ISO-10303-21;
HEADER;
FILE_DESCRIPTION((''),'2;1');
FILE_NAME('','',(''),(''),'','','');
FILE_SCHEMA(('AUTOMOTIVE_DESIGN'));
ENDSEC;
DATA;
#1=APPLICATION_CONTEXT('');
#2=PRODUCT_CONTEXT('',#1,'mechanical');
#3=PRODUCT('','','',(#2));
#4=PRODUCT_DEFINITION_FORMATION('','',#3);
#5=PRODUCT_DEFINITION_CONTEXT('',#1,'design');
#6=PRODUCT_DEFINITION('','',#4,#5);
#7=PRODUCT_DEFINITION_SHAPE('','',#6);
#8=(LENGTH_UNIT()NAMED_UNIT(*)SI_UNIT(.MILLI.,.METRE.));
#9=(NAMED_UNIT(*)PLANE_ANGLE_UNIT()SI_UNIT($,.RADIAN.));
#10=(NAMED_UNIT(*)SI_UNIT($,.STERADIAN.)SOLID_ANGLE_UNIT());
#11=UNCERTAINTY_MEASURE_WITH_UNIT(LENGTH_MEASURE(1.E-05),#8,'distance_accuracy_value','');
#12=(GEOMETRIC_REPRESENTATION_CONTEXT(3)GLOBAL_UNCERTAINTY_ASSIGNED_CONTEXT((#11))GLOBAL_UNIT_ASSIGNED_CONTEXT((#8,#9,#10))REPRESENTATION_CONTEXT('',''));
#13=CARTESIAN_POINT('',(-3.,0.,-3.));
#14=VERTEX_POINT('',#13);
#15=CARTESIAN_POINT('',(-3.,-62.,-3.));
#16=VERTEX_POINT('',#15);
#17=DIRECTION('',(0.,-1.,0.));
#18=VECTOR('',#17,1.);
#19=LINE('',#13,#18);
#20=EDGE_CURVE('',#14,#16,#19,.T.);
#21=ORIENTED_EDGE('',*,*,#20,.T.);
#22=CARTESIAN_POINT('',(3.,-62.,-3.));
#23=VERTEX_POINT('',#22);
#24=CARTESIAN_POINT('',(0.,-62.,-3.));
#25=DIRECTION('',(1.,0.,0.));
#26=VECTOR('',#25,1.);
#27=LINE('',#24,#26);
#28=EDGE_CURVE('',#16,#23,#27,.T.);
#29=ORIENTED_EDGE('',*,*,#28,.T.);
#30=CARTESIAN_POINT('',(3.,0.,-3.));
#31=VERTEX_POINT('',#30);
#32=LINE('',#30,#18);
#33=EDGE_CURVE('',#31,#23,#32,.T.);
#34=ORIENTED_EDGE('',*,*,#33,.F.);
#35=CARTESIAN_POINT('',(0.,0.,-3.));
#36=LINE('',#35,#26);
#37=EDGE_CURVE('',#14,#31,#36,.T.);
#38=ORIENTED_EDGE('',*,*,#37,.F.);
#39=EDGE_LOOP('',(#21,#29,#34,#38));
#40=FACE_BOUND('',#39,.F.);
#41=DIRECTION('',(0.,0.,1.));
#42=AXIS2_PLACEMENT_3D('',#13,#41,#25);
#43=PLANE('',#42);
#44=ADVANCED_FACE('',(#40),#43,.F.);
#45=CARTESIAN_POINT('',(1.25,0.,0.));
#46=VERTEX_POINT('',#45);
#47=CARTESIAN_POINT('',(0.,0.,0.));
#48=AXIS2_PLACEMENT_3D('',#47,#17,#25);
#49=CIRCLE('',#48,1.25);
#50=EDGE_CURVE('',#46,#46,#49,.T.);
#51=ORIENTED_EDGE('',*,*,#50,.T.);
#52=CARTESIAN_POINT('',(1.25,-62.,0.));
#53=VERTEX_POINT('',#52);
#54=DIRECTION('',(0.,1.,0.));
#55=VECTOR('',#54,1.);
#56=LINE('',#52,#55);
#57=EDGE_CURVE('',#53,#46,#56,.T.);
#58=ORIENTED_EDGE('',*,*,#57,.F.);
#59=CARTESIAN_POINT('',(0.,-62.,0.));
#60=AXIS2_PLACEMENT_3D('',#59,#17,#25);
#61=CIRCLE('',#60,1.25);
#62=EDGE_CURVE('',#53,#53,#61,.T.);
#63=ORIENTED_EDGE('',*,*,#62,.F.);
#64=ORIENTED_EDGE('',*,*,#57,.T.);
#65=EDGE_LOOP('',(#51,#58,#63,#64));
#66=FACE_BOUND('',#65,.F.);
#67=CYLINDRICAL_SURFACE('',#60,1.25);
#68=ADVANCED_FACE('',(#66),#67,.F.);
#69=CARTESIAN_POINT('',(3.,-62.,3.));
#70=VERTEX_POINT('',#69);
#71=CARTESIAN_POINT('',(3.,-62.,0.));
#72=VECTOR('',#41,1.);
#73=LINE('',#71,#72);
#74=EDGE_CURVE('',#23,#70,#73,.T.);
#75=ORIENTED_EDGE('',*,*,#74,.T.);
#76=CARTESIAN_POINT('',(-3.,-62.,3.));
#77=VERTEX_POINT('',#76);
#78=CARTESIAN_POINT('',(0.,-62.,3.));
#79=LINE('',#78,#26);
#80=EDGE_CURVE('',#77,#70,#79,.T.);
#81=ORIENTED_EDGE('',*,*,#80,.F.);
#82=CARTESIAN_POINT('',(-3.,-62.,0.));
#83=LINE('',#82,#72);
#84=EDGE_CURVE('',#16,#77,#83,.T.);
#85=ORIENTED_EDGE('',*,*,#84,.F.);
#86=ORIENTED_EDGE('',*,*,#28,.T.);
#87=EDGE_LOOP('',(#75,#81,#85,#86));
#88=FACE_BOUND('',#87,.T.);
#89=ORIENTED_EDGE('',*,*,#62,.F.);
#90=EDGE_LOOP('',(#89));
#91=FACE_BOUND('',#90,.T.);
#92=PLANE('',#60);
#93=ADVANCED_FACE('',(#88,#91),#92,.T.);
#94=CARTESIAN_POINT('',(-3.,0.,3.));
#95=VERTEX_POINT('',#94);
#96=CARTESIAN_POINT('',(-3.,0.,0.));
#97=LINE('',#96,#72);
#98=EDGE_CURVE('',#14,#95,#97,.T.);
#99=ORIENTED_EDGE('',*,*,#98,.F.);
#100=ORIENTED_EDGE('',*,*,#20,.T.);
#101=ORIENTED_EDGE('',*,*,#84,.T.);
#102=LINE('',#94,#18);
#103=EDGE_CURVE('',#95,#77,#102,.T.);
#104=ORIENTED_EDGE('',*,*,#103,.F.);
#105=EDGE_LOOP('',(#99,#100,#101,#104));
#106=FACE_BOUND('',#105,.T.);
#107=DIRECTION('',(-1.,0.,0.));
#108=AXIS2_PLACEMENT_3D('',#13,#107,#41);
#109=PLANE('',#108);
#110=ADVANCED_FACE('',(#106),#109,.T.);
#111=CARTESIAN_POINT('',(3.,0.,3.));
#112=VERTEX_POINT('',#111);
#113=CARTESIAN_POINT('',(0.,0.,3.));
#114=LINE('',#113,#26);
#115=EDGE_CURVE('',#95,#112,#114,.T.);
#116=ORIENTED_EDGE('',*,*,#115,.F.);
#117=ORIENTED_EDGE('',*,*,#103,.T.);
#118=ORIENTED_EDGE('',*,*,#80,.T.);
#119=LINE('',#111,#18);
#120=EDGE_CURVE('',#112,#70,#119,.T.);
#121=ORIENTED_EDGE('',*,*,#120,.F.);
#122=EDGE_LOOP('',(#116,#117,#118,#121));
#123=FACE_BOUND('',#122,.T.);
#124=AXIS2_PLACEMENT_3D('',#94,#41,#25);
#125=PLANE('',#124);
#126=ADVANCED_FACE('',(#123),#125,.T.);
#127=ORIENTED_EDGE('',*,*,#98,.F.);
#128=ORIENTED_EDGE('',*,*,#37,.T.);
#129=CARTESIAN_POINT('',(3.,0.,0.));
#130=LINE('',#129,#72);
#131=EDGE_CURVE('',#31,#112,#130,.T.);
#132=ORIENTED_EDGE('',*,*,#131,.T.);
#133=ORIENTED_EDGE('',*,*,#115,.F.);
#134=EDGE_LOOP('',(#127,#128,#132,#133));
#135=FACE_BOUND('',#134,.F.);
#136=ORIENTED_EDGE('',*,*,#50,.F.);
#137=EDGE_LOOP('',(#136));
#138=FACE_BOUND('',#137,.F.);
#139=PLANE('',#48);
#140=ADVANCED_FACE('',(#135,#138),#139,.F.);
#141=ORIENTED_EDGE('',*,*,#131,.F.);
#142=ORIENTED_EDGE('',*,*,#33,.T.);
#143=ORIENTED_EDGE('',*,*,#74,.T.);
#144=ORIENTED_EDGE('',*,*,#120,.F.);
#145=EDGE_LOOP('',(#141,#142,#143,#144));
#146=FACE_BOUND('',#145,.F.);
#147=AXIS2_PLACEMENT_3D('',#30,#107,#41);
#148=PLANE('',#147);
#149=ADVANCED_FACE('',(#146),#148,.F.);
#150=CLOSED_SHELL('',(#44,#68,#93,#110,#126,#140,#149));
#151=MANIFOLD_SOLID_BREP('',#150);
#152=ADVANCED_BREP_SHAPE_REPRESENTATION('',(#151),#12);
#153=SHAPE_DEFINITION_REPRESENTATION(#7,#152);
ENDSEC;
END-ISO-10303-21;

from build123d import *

# Parameters (mm, degrees)
F0_W     = 6
F0_H     = 6
F1_DEPTH = 62
F2_R     = 1.25
F3_DEPTH = 62.001


with BuildPart() as f1:
    # F0 (on Front) → F1 (new body)
    with BuildSketch(Plane.XZ):
        Rectangle(F0_W, F0_H)
    extrude(amount=F1_DEPTH)

    # F2 (on face) → F3 (cut, through all)
    with BuildSketch(Plane.XZ.offset(62)):
        Circle(F2_R)
    extrude(amount=-F3_DEPTH, mode=Mode.SUBTRACT)


solid = f1.part
